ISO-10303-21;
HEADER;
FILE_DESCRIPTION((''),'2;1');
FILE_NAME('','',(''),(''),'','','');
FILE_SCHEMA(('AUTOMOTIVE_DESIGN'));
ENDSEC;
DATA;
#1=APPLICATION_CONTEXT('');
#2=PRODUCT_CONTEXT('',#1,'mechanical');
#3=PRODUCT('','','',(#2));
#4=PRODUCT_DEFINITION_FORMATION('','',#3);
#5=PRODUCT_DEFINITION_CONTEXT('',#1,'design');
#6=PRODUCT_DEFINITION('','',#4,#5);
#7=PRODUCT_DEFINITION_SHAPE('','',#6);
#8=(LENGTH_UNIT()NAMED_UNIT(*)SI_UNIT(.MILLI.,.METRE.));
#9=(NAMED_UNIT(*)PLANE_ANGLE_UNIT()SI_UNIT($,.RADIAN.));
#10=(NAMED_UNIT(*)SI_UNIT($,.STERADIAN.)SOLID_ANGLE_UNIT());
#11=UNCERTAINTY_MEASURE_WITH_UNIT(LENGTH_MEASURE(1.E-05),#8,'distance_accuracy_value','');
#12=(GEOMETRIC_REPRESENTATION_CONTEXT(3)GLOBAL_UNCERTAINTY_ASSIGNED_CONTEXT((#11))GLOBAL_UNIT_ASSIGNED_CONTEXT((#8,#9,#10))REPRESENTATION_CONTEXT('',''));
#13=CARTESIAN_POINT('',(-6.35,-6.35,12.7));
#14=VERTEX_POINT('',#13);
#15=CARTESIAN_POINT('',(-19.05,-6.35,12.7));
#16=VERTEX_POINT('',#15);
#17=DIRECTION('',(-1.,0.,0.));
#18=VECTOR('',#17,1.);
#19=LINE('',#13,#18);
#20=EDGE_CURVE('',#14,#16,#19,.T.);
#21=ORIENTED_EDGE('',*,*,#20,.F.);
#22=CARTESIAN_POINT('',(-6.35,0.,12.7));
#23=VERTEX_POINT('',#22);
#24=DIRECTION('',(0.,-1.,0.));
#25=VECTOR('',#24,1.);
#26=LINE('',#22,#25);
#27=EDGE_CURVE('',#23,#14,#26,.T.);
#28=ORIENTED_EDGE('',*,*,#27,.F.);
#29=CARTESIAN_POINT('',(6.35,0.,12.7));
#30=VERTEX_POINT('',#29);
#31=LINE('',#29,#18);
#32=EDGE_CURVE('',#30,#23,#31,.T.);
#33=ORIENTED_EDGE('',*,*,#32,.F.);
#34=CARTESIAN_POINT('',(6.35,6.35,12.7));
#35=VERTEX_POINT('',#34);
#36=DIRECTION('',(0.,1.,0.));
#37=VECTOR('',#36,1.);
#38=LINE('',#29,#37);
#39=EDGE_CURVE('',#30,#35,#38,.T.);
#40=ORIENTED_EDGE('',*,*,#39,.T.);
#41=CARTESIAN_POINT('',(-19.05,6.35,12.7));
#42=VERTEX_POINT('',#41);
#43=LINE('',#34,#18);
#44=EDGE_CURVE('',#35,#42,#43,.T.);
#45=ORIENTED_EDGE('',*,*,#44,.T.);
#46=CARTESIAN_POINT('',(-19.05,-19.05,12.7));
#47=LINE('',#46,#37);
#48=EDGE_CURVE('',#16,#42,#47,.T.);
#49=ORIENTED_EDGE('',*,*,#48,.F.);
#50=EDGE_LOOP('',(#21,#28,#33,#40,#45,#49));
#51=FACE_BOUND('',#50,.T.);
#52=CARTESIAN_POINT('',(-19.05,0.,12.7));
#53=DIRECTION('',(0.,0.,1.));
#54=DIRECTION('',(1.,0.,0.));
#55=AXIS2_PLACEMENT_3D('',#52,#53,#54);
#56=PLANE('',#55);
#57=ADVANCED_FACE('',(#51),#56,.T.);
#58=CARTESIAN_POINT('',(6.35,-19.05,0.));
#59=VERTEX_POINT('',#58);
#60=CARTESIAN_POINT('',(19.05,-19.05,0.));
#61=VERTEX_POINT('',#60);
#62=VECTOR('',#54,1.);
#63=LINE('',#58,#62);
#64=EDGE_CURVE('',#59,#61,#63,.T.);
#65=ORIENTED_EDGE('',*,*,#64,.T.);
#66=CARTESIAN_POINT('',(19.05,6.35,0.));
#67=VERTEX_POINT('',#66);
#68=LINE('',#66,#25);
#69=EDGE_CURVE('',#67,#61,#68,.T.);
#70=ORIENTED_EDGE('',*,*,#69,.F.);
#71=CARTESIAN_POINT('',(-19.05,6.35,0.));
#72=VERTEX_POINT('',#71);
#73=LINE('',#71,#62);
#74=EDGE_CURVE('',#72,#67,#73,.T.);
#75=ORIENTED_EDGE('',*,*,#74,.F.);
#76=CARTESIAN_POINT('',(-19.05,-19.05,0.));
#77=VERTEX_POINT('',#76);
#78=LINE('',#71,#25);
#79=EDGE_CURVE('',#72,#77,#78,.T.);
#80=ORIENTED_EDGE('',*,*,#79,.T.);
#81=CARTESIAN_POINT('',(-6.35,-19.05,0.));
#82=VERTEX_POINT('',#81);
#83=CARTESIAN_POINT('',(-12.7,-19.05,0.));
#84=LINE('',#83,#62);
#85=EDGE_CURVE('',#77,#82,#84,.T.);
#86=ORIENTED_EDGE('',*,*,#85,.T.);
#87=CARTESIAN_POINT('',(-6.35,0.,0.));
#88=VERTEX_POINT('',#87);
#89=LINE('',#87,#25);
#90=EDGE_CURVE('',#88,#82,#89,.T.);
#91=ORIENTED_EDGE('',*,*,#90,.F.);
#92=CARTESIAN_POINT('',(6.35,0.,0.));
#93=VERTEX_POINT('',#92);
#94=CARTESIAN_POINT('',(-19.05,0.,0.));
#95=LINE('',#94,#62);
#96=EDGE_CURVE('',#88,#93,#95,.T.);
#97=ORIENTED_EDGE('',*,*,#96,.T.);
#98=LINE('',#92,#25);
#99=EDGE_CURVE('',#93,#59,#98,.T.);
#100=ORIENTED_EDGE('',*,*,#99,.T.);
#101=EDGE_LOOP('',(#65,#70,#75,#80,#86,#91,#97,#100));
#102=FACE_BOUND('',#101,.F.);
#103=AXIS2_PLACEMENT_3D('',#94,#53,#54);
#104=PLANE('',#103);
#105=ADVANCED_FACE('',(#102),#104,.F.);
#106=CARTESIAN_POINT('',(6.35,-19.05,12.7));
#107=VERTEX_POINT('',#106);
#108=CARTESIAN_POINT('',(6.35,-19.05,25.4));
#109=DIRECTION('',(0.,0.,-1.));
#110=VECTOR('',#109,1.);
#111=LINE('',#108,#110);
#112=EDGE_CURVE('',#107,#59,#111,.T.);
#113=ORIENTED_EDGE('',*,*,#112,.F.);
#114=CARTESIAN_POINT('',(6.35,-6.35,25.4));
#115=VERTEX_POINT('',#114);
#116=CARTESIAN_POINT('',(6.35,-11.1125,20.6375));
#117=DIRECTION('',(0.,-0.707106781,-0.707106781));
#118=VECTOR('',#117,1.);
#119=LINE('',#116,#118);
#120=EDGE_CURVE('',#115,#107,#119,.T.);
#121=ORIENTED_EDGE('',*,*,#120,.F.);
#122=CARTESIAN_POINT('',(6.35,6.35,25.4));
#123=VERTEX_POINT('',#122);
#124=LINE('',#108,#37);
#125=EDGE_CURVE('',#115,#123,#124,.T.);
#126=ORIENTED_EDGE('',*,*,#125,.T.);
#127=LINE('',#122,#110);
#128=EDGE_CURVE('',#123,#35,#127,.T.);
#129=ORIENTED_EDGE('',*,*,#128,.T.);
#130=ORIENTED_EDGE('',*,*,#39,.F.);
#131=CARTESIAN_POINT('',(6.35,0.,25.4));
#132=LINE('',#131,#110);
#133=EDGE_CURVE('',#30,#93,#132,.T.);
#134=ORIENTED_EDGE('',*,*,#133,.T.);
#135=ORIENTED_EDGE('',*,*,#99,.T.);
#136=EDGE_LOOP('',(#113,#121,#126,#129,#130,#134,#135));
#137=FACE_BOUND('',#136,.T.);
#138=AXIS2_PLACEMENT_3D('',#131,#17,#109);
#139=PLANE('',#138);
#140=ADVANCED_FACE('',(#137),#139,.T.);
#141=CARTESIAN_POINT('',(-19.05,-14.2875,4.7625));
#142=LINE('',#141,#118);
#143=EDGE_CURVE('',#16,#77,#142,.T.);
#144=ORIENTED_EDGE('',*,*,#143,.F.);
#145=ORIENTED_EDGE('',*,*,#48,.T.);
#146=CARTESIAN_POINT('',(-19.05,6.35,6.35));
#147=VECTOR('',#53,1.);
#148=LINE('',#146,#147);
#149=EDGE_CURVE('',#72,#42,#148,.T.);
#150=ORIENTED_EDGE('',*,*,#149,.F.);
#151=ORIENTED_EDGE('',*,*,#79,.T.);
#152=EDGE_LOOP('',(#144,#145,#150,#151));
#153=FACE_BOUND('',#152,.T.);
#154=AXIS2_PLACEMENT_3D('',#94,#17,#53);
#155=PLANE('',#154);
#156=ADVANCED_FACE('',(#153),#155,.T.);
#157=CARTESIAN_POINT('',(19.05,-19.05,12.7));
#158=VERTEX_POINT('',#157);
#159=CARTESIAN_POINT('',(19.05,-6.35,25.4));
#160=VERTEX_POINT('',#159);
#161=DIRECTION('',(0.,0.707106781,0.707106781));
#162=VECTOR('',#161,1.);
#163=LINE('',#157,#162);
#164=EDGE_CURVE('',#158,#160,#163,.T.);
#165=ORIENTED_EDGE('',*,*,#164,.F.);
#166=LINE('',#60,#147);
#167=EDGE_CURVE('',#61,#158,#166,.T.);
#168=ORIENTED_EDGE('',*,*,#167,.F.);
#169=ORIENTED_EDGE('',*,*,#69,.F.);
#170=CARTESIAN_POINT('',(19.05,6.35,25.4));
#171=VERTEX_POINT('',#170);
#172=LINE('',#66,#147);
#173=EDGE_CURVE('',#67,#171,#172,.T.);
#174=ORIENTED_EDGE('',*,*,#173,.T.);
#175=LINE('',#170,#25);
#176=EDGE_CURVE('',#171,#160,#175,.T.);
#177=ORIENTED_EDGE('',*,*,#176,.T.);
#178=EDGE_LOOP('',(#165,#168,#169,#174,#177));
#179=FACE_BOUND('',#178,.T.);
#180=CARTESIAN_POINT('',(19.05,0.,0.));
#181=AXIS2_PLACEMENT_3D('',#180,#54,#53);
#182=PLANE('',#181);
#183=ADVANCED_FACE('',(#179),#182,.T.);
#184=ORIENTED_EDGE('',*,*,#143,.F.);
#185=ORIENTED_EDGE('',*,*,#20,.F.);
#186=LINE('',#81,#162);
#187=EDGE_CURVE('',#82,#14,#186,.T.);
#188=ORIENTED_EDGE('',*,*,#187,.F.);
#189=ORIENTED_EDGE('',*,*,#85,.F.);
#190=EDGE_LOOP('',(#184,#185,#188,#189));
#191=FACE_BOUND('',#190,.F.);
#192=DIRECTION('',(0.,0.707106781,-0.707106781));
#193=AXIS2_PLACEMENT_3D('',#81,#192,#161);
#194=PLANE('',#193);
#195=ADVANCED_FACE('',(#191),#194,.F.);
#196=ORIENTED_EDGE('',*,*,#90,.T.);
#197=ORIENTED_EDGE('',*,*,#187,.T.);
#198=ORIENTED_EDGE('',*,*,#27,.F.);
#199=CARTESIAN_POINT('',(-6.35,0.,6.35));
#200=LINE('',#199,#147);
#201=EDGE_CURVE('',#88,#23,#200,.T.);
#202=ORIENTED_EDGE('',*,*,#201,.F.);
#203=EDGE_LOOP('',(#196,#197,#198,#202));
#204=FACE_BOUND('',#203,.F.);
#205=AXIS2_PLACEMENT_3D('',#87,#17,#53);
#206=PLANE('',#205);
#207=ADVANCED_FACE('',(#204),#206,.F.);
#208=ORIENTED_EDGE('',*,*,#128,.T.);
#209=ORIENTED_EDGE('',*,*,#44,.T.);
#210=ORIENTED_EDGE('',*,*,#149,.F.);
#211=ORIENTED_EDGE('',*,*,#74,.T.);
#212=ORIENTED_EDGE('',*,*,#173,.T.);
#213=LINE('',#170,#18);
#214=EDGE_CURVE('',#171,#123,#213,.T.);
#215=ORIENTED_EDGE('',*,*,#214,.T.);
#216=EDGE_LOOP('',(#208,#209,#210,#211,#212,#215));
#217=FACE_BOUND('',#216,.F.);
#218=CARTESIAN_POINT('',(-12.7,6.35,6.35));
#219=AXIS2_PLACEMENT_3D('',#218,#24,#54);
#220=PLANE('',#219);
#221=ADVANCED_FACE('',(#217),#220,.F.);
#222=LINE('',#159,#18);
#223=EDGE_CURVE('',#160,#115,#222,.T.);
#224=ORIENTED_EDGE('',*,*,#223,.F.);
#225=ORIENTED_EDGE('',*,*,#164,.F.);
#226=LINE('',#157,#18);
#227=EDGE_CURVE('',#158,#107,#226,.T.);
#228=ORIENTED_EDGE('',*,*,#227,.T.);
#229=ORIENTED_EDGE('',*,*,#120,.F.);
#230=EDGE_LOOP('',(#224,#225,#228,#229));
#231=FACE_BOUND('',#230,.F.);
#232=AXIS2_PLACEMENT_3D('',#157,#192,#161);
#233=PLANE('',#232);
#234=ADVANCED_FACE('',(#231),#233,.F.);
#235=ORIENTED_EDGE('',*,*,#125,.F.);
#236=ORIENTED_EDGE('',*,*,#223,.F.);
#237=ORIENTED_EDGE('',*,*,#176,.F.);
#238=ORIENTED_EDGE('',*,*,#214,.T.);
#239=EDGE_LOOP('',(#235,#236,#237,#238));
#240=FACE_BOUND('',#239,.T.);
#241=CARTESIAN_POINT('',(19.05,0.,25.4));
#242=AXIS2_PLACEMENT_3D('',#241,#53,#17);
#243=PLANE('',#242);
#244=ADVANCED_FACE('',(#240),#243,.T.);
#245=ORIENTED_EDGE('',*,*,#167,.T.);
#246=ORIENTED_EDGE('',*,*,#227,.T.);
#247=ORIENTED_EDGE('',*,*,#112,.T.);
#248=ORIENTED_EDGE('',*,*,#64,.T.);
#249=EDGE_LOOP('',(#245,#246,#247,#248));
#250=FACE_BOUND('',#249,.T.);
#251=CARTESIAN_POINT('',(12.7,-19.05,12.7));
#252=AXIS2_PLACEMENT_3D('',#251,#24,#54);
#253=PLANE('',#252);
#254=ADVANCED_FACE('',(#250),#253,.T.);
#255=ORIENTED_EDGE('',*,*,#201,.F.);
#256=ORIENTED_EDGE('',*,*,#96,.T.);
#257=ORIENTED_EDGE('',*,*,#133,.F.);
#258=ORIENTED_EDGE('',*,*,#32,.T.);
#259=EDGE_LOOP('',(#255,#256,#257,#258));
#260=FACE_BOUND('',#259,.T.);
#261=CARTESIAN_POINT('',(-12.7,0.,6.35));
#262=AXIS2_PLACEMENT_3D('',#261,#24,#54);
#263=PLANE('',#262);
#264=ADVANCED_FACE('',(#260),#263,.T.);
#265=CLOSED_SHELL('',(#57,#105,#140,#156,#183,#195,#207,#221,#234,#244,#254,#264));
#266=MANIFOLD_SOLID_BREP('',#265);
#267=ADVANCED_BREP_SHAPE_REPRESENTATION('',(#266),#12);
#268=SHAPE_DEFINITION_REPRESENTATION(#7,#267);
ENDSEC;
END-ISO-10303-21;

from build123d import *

# Parameters (mm, degrees)
F0_W     = 12.7
F0_H     = 12.7
F1_DEPTH = 6.35
F2_DEPTH = 19.05
F5_DEPTH = 12.701


with BuildPart() as f1:
    # F0 (on Front) → F1 (new body)
    with BuildSketch(Plane.XZ):
        with Locations((-12.7, 6.35)):
            Rectangle(F0_W, F0_H)
        Polygon((6.35, 12.7), (6.35, 0), (19.05, 0), (19.05, 25.4), (6.35, 25.4), align=None)
        with Locations((0, 6.35)):
            Rectangle(F0_W, F0_H)
    extrude(amount=-F1_DEPTH)

    # F0 (on Front) → F2 (join)
    with BuildSketch(Plane.XZ):
        with Locations((-12.7, 6.35)):
            Rectangle(F0_W, F0_H)
        Polygon((6.35, 12.7), (6.35, 0), (19.05, 0), (19.05, 25.4), (6.35, 25.4), align=None)
    extrude(amount=F2_DEPTH)

    # F4 (on face) + F3 (on face) → F5 (cut, through all)
    with BuildSketch(Plane.YZ.offset(-6.35)):
        Polygon((-19.05, 12.7), (-19.05, 0), (-6.35, 12.7), align=None)
    with BuildSketch(Plane.YZ.offset(19.05)):
        Polygon((-19.05, 25.4), (-19.05, 12.7), (-6.35, 25.4), align=None)
    extrude(amount=-F5_DEPTH, mode=Mode.SUBTRACT)


solid = f1.part
